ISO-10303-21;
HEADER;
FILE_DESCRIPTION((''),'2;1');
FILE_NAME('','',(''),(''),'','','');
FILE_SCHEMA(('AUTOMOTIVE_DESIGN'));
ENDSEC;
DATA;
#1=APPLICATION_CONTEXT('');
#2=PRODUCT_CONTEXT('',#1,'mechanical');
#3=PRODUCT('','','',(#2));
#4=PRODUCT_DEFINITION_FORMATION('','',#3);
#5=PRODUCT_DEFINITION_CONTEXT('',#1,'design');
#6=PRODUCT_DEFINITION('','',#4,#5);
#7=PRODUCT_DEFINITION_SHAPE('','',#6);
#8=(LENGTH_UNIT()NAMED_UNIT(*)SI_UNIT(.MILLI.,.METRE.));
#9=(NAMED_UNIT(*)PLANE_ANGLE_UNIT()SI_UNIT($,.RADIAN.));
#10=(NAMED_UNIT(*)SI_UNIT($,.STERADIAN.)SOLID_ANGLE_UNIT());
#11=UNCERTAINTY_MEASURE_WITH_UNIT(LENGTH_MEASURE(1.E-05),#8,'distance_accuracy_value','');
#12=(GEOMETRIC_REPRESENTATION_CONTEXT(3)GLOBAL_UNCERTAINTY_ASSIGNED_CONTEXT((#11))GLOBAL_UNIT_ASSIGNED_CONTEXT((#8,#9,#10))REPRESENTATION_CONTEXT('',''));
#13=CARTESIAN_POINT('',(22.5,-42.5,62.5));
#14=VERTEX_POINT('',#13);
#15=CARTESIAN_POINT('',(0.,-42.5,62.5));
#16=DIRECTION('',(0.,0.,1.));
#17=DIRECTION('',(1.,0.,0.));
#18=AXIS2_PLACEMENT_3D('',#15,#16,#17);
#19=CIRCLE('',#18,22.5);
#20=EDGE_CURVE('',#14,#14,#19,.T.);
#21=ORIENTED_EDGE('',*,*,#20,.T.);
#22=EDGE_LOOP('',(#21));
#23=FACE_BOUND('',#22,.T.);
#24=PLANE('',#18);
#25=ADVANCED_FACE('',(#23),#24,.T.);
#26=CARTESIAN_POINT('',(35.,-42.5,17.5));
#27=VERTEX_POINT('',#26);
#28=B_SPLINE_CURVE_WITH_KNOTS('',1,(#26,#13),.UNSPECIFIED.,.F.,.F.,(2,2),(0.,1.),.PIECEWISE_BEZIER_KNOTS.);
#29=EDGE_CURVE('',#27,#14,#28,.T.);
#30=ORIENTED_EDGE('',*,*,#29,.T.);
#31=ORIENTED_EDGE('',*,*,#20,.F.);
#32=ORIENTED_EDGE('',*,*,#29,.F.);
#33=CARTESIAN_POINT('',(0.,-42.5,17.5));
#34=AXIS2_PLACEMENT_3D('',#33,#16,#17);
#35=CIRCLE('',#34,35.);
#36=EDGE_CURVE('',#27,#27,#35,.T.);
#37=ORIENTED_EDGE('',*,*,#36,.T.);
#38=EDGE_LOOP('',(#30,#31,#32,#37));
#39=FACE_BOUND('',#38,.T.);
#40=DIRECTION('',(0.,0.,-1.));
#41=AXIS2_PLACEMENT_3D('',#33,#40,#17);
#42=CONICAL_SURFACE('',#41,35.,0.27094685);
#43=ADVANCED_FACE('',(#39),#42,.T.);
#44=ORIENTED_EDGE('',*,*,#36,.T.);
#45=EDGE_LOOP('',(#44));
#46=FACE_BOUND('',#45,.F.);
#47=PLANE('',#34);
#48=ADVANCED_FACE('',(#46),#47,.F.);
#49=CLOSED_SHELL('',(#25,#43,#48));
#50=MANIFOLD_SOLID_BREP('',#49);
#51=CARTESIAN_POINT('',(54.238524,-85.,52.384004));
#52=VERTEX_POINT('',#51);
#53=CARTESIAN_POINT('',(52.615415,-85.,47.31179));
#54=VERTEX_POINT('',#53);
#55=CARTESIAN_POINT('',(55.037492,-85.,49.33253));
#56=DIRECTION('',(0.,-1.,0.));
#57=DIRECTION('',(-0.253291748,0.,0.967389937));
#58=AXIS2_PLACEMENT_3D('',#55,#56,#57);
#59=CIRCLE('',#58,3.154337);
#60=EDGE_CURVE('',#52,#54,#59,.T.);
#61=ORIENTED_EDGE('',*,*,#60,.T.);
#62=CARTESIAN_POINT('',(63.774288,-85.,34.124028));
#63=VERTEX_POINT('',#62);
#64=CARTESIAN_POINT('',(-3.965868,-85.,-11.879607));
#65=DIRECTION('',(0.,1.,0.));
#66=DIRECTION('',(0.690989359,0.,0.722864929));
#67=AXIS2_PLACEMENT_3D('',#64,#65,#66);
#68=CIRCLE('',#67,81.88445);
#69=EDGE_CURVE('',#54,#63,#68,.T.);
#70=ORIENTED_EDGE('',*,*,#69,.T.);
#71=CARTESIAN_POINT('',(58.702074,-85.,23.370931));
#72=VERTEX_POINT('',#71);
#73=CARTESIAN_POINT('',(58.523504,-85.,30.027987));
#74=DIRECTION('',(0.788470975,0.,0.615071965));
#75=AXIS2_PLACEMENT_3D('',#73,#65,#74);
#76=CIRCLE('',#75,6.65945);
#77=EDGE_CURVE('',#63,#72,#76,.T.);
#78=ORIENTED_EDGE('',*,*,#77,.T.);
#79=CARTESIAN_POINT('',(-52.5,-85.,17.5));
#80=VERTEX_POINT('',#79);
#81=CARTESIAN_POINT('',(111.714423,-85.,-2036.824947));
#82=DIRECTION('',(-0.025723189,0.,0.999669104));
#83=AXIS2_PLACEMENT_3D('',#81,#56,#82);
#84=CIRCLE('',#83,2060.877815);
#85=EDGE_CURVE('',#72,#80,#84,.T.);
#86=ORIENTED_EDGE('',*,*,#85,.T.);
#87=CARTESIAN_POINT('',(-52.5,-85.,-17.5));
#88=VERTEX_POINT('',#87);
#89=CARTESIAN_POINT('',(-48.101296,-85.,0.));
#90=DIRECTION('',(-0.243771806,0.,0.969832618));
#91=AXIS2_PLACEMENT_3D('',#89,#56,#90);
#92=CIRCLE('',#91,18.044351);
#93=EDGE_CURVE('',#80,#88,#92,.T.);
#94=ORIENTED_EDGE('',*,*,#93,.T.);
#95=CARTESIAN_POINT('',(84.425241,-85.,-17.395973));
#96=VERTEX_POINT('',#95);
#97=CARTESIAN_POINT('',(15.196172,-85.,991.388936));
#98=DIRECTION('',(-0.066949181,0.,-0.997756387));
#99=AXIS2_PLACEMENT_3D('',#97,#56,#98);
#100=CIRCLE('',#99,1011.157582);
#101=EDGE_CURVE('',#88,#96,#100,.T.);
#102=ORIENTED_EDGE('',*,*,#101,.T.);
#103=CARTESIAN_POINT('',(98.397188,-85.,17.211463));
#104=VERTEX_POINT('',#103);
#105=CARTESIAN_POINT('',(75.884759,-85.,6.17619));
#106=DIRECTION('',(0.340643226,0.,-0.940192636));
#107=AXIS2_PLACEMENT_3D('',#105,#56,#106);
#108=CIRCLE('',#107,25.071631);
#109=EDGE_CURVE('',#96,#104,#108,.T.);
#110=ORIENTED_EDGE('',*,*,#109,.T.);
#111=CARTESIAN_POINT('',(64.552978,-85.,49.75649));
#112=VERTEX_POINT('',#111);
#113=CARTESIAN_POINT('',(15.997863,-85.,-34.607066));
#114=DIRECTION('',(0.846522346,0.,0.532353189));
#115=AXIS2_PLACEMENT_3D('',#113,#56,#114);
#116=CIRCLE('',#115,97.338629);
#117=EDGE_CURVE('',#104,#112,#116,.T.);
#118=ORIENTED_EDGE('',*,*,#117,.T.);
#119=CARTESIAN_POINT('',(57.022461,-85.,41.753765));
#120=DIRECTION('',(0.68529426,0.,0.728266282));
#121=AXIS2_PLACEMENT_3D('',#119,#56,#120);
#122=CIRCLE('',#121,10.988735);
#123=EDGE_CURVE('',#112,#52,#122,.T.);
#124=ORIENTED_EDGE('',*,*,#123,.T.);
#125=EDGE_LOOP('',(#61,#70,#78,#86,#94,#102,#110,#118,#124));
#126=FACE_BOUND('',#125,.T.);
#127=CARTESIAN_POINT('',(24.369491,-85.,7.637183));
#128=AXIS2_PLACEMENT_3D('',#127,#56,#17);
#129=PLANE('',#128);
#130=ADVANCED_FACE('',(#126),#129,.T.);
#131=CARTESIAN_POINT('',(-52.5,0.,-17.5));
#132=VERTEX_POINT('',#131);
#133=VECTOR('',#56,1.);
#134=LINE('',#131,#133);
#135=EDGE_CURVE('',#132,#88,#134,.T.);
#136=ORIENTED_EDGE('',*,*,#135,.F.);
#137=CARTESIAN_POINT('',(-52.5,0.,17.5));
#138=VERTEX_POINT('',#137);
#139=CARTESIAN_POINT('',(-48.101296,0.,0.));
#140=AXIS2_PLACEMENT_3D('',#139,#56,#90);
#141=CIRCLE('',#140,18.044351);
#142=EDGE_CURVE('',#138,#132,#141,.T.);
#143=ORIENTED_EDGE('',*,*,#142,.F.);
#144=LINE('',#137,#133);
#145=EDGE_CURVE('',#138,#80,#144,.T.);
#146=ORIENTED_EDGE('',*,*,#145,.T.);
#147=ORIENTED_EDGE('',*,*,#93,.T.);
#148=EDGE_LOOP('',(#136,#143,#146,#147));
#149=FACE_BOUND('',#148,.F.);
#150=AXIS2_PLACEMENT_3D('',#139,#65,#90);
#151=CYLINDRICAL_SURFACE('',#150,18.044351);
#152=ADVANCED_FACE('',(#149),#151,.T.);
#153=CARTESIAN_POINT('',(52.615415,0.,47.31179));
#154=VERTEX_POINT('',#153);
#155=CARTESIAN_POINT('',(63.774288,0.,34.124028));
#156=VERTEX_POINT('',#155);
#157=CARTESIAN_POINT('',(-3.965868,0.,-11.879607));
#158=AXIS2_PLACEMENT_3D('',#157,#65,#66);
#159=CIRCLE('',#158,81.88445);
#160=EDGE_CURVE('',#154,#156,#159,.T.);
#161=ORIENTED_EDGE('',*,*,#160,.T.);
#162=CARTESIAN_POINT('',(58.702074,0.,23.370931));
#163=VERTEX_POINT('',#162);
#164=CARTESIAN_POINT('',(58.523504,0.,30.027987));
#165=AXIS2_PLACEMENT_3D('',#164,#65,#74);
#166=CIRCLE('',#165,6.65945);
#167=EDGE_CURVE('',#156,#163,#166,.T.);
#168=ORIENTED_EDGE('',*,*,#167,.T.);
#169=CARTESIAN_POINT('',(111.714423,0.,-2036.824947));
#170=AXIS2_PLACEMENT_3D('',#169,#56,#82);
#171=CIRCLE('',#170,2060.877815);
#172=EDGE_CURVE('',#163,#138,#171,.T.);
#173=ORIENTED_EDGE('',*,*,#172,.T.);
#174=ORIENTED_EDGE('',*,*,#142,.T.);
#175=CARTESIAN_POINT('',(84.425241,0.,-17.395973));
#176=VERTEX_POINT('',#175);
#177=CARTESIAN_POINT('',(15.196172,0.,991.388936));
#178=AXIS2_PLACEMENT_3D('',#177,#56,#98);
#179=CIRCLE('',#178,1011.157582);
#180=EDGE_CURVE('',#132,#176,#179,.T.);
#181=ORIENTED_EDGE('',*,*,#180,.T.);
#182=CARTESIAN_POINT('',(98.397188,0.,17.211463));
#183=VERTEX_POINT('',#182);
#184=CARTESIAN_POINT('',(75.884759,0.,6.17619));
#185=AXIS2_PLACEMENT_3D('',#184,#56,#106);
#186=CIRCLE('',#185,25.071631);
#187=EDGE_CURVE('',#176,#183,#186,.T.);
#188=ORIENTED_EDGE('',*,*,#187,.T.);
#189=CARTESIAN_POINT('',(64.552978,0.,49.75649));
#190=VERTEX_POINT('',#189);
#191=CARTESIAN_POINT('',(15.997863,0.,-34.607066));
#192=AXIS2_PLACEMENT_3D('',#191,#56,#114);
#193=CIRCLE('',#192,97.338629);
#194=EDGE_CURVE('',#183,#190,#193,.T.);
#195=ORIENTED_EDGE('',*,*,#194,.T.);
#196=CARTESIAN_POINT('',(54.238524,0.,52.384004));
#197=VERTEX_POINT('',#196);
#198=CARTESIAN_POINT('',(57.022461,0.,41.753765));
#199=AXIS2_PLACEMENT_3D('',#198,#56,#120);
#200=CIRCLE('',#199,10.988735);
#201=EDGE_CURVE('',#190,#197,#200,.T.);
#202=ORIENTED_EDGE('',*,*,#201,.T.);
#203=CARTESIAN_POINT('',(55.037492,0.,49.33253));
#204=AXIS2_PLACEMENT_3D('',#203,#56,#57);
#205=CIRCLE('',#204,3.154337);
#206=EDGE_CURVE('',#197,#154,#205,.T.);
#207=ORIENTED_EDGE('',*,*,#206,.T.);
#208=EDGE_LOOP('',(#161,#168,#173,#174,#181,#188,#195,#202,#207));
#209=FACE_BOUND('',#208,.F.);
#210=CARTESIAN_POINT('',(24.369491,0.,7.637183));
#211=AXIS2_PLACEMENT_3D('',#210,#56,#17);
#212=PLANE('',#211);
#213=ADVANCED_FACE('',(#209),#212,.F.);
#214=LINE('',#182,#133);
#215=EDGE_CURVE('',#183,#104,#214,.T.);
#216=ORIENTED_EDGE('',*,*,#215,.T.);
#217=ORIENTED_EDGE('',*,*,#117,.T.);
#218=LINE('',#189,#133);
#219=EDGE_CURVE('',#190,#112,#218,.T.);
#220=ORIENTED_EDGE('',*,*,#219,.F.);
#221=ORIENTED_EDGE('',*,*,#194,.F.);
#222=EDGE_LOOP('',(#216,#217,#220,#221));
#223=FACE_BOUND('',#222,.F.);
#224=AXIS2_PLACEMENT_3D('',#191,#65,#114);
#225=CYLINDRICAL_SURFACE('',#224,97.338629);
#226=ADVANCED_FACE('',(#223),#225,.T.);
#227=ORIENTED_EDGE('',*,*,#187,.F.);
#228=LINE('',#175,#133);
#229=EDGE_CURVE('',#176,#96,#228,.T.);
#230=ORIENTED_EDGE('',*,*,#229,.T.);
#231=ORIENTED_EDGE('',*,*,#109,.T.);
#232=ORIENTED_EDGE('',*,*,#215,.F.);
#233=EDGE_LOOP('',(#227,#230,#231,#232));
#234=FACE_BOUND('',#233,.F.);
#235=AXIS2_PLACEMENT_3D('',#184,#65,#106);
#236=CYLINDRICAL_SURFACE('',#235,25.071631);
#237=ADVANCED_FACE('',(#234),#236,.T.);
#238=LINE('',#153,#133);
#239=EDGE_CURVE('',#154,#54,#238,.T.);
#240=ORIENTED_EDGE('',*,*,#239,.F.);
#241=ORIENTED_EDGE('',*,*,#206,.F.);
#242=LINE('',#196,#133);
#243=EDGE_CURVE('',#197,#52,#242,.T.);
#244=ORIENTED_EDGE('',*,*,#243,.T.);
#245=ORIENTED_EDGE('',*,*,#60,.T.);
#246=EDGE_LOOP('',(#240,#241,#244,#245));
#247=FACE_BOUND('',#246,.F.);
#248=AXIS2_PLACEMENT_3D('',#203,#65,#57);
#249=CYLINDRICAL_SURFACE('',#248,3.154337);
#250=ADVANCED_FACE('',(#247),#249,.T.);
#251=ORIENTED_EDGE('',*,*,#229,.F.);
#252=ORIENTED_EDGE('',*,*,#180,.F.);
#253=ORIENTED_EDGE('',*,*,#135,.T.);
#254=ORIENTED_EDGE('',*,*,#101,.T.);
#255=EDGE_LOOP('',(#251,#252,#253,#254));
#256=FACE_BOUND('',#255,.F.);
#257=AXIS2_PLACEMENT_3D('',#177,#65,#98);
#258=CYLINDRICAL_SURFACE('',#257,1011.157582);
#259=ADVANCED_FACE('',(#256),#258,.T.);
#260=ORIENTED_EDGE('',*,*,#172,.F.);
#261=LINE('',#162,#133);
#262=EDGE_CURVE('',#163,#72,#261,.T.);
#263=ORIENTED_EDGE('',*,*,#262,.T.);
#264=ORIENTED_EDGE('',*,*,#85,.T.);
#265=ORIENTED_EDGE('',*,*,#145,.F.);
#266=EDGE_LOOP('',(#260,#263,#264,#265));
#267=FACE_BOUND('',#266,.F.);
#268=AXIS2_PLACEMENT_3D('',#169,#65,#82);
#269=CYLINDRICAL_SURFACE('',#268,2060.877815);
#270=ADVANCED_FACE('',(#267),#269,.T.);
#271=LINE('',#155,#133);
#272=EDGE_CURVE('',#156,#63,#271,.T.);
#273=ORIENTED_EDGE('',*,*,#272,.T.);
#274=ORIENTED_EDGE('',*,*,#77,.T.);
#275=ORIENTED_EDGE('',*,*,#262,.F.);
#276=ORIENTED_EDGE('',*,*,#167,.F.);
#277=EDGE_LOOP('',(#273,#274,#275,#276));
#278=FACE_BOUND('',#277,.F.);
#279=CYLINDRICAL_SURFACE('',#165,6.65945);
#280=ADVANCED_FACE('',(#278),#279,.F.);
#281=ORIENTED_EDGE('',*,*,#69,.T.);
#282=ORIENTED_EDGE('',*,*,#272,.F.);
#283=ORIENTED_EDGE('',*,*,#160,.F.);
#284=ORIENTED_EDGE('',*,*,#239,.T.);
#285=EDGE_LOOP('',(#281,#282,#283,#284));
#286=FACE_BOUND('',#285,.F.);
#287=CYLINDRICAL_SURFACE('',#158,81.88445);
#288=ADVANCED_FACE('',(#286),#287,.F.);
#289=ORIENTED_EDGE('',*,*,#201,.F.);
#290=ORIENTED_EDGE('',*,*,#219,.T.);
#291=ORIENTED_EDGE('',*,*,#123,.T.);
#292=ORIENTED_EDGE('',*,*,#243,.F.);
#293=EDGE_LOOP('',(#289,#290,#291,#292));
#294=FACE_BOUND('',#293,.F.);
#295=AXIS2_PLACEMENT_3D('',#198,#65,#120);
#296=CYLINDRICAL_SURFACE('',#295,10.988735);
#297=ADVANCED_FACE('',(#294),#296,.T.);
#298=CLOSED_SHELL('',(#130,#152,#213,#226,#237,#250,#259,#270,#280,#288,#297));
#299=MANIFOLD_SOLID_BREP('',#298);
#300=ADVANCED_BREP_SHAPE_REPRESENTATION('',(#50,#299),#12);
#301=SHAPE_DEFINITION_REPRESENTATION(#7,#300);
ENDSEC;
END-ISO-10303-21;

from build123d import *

# Parameters (mm, degrees)
F1_DEPTH = 85
F3_R     = 35
F5_R     = 22.5


with BuildPart() as f1:
    # F0 (on Front) → F1 (new body)
    with BuildSketch(Plane.XZ):
        with BuildLine():
            ThreePointArc((63.7742877007, 34.1240279377), (64.5465220808, 27.1869416861), (58.7020739913, 23.370930925))
            ThreePointArc((58.7020739913, 23.370930925), (3.0613762097, 21.1866856201), (-52.5, 17.5))
            ThreePointArc((-52.5, 17.5), (-66.1456468401, 0), (-52.5, -17.5))
            ThreePointArc((-52.5, -17.5), (15.9643832407, -19.7683548291), (84.4252407551, -17.3959732056))
            ThreePointArc((84.4252407551, -17.3959732056), (99.1331887646, -3.2098224332), (98.3971878886, 17.2114633024))
            ThreePointArc((98.3971878886, 17.2114633024), (83.4668262086, 35.5552294848), (64.5529776812, 49.7564896941))
            ThreePointArc((64.5529776812, 49.7564896941), (59.7351097313, 52.4024184623), (54.2385242879, 52.3840039968))
            ThreePointArc((54.2385242879, 52.3840039968), (52.0332250217, 50.2938956339), (52.6154153049, 47.3117902875))
            ThreePointArc((52.6154153049, 47.3117902875), (58.5436058248, 41.0130088326), (63.7742877007, 34.1240279377))
        make_face()
    extrude(amount=F1_DEPTH)


with BuildPart() as f6:
    # F3 (on offset) → F6 section 0
    with BuildSketch(Plane.XY.offset(17.5)):
        with Locations((0, -42.5)):
            Circle(F3_R)
    # F5 (on offset) → F6 section 1
    with BuildSketch(Plane.XY.offset(62.5)):
        with Locations((0, -42.5)):
            Circle(F5_R)
    loft()


solid = Compound([f1.part, f6.part])
